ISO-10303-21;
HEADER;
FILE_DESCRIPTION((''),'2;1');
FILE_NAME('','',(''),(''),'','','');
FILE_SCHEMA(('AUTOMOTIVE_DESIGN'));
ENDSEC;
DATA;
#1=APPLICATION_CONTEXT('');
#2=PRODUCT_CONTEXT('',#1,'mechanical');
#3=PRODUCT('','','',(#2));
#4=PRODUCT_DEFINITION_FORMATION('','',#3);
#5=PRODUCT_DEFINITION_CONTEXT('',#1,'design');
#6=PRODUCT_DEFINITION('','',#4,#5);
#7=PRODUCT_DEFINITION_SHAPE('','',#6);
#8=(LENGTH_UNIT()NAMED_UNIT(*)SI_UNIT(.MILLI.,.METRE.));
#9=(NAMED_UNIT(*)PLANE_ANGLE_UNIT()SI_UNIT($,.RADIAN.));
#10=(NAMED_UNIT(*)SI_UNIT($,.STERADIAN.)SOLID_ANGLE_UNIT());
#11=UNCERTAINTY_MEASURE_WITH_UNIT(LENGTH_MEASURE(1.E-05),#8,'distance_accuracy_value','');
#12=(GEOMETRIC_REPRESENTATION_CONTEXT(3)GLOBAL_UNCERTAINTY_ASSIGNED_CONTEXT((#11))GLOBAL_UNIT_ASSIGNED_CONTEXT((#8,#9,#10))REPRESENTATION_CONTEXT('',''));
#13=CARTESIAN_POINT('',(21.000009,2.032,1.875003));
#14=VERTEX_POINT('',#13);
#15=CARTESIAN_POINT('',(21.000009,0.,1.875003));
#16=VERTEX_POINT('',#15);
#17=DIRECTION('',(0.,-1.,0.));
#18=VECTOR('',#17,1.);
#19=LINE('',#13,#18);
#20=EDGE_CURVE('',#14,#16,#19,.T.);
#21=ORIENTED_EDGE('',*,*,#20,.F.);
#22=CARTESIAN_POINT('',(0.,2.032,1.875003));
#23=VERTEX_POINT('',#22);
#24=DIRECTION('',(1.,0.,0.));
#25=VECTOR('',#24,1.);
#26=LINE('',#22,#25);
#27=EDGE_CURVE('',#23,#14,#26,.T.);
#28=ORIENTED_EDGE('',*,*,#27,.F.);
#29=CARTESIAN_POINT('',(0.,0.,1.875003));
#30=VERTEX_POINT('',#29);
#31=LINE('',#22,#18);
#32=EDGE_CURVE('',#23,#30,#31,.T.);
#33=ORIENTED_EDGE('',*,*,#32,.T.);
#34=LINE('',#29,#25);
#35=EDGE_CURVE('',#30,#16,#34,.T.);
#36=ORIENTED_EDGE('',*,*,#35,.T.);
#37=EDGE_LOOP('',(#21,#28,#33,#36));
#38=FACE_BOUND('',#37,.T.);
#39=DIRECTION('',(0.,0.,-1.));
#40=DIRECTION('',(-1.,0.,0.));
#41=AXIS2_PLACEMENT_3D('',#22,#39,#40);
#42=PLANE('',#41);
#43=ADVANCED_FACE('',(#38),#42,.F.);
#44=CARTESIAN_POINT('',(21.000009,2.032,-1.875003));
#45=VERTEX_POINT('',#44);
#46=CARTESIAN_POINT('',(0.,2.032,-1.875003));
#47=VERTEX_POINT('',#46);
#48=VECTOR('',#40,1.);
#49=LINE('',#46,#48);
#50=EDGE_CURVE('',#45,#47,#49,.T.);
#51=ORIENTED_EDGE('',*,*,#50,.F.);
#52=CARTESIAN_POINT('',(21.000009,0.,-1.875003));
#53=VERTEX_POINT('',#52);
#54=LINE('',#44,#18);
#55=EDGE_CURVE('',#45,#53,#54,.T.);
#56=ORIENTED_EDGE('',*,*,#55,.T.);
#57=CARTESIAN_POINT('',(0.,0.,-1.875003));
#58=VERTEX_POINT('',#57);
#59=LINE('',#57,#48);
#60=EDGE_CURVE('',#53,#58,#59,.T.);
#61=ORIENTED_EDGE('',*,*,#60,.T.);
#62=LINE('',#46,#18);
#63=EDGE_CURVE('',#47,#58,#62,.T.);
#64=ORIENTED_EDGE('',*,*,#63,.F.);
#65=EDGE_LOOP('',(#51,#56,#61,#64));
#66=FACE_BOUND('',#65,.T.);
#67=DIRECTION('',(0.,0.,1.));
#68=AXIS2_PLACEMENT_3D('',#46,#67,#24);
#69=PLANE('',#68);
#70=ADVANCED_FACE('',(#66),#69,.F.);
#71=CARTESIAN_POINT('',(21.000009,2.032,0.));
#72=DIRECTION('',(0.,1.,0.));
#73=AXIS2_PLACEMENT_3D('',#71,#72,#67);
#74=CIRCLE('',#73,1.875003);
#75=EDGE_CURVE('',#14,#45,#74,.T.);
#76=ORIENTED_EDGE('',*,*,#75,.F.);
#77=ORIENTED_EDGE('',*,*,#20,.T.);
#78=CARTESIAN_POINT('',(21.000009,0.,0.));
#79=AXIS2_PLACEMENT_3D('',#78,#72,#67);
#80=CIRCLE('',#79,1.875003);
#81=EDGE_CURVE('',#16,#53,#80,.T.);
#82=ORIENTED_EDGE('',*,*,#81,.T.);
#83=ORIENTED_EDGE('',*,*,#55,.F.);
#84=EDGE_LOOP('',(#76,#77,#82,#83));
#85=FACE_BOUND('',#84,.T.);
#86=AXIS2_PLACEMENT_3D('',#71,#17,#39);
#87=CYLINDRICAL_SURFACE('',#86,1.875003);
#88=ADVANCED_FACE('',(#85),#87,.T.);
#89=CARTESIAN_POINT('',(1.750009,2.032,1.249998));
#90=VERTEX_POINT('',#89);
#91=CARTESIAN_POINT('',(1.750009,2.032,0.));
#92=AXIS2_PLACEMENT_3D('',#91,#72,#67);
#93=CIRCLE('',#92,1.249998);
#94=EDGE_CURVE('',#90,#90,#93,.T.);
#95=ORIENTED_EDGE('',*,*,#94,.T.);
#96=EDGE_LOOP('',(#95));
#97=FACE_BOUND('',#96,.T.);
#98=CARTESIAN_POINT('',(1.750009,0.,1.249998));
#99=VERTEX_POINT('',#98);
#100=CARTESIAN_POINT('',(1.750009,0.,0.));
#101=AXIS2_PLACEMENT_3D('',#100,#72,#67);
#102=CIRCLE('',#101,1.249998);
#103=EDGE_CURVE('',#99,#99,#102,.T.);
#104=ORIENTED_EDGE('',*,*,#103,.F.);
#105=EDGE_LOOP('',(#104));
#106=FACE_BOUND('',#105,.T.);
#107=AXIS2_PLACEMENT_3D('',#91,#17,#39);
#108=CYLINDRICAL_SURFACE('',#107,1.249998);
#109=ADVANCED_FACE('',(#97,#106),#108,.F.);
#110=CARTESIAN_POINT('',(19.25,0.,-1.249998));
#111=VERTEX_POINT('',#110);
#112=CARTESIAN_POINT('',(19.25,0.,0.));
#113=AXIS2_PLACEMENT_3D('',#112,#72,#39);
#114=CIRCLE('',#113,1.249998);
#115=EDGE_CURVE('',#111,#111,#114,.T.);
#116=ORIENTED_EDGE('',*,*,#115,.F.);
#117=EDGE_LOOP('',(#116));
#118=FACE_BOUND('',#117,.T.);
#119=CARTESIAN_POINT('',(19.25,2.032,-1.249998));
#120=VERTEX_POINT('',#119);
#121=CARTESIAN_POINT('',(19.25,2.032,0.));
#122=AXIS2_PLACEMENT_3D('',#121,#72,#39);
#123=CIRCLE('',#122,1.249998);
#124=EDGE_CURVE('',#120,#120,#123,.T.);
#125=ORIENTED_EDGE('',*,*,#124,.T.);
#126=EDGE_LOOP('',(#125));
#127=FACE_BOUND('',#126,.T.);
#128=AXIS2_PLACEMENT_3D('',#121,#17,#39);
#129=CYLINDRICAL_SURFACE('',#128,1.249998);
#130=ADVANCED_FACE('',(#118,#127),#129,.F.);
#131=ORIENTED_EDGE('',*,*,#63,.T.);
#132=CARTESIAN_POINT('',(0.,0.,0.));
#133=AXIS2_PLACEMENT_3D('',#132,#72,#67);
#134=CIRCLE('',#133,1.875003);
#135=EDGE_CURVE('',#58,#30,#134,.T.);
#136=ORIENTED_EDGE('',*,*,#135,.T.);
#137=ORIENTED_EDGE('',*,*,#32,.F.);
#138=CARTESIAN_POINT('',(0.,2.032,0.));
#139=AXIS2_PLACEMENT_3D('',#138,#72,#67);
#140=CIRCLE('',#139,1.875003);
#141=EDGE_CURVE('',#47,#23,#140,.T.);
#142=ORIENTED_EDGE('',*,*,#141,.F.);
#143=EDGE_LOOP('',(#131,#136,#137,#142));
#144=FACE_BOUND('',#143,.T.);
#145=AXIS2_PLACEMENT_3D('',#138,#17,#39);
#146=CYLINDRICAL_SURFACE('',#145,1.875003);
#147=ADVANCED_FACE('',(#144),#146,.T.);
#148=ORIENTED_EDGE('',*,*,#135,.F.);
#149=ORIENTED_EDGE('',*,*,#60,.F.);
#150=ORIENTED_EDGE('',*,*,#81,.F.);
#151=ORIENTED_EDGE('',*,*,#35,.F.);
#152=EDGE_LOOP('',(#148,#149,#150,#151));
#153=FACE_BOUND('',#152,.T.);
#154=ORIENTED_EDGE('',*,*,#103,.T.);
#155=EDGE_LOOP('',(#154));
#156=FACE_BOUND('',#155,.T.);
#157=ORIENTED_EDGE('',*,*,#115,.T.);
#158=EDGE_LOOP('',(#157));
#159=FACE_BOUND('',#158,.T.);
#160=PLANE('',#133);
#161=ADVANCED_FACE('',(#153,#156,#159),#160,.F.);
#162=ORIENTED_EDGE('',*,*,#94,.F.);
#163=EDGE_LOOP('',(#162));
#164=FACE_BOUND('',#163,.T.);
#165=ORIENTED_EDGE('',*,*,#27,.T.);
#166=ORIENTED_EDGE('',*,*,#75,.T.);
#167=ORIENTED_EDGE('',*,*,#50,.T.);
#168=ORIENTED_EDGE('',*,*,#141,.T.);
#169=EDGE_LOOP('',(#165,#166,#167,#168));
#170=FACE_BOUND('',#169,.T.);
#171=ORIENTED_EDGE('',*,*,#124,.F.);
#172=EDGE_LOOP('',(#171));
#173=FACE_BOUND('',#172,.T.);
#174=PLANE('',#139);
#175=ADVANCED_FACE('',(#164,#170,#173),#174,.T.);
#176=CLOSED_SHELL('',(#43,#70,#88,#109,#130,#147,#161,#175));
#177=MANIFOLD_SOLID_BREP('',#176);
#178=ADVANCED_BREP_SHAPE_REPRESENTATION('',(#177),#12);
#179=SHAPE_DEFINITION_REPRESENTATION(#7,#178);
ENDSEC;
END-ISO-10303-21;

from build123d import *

# Parameters (mm, degrees)
SKETCH1_R           = 1.2499975
BOSS_EXTRUDE1_DEPTH = 2.032


with BuildPart() as part:
    # Sketch1 → Boss-Extrude1 (new body)
    with BuildSketch(Plane(origin=(0, 0, 0), x_dir=(1, 0, 0), z_dir=(0, 1, 0))):
        with BuildLine():
            Line((0, 1.8750026), (21.0000088, 1.8750026))
            ThreePointArc((21.0000088, 1.8750026), (22.8750114, 0), (21.0000088, -1.8750026))
            Line((21.0000088, -1.8750026), (0, -1.8750026))
            ThreePointArc((0, -1.8750026), (-1.8750026, 0), (0, 1.8750026))
        make_face()
        with Locations(Location((1.7500092, 0, 0), (0, 0, 270))):
            Circle(SKETCH1_R, mode=Mode.SUBTRACT)
        with Locations(Location((19.2499996, 0, 0), (0, 0, 90))):
            Circle(SKETCH1_R, mode=Mode.SUBTRACT)
    extrude(amount=BOSS_EXTRUDE1_DEPTH)


solid = part.part
